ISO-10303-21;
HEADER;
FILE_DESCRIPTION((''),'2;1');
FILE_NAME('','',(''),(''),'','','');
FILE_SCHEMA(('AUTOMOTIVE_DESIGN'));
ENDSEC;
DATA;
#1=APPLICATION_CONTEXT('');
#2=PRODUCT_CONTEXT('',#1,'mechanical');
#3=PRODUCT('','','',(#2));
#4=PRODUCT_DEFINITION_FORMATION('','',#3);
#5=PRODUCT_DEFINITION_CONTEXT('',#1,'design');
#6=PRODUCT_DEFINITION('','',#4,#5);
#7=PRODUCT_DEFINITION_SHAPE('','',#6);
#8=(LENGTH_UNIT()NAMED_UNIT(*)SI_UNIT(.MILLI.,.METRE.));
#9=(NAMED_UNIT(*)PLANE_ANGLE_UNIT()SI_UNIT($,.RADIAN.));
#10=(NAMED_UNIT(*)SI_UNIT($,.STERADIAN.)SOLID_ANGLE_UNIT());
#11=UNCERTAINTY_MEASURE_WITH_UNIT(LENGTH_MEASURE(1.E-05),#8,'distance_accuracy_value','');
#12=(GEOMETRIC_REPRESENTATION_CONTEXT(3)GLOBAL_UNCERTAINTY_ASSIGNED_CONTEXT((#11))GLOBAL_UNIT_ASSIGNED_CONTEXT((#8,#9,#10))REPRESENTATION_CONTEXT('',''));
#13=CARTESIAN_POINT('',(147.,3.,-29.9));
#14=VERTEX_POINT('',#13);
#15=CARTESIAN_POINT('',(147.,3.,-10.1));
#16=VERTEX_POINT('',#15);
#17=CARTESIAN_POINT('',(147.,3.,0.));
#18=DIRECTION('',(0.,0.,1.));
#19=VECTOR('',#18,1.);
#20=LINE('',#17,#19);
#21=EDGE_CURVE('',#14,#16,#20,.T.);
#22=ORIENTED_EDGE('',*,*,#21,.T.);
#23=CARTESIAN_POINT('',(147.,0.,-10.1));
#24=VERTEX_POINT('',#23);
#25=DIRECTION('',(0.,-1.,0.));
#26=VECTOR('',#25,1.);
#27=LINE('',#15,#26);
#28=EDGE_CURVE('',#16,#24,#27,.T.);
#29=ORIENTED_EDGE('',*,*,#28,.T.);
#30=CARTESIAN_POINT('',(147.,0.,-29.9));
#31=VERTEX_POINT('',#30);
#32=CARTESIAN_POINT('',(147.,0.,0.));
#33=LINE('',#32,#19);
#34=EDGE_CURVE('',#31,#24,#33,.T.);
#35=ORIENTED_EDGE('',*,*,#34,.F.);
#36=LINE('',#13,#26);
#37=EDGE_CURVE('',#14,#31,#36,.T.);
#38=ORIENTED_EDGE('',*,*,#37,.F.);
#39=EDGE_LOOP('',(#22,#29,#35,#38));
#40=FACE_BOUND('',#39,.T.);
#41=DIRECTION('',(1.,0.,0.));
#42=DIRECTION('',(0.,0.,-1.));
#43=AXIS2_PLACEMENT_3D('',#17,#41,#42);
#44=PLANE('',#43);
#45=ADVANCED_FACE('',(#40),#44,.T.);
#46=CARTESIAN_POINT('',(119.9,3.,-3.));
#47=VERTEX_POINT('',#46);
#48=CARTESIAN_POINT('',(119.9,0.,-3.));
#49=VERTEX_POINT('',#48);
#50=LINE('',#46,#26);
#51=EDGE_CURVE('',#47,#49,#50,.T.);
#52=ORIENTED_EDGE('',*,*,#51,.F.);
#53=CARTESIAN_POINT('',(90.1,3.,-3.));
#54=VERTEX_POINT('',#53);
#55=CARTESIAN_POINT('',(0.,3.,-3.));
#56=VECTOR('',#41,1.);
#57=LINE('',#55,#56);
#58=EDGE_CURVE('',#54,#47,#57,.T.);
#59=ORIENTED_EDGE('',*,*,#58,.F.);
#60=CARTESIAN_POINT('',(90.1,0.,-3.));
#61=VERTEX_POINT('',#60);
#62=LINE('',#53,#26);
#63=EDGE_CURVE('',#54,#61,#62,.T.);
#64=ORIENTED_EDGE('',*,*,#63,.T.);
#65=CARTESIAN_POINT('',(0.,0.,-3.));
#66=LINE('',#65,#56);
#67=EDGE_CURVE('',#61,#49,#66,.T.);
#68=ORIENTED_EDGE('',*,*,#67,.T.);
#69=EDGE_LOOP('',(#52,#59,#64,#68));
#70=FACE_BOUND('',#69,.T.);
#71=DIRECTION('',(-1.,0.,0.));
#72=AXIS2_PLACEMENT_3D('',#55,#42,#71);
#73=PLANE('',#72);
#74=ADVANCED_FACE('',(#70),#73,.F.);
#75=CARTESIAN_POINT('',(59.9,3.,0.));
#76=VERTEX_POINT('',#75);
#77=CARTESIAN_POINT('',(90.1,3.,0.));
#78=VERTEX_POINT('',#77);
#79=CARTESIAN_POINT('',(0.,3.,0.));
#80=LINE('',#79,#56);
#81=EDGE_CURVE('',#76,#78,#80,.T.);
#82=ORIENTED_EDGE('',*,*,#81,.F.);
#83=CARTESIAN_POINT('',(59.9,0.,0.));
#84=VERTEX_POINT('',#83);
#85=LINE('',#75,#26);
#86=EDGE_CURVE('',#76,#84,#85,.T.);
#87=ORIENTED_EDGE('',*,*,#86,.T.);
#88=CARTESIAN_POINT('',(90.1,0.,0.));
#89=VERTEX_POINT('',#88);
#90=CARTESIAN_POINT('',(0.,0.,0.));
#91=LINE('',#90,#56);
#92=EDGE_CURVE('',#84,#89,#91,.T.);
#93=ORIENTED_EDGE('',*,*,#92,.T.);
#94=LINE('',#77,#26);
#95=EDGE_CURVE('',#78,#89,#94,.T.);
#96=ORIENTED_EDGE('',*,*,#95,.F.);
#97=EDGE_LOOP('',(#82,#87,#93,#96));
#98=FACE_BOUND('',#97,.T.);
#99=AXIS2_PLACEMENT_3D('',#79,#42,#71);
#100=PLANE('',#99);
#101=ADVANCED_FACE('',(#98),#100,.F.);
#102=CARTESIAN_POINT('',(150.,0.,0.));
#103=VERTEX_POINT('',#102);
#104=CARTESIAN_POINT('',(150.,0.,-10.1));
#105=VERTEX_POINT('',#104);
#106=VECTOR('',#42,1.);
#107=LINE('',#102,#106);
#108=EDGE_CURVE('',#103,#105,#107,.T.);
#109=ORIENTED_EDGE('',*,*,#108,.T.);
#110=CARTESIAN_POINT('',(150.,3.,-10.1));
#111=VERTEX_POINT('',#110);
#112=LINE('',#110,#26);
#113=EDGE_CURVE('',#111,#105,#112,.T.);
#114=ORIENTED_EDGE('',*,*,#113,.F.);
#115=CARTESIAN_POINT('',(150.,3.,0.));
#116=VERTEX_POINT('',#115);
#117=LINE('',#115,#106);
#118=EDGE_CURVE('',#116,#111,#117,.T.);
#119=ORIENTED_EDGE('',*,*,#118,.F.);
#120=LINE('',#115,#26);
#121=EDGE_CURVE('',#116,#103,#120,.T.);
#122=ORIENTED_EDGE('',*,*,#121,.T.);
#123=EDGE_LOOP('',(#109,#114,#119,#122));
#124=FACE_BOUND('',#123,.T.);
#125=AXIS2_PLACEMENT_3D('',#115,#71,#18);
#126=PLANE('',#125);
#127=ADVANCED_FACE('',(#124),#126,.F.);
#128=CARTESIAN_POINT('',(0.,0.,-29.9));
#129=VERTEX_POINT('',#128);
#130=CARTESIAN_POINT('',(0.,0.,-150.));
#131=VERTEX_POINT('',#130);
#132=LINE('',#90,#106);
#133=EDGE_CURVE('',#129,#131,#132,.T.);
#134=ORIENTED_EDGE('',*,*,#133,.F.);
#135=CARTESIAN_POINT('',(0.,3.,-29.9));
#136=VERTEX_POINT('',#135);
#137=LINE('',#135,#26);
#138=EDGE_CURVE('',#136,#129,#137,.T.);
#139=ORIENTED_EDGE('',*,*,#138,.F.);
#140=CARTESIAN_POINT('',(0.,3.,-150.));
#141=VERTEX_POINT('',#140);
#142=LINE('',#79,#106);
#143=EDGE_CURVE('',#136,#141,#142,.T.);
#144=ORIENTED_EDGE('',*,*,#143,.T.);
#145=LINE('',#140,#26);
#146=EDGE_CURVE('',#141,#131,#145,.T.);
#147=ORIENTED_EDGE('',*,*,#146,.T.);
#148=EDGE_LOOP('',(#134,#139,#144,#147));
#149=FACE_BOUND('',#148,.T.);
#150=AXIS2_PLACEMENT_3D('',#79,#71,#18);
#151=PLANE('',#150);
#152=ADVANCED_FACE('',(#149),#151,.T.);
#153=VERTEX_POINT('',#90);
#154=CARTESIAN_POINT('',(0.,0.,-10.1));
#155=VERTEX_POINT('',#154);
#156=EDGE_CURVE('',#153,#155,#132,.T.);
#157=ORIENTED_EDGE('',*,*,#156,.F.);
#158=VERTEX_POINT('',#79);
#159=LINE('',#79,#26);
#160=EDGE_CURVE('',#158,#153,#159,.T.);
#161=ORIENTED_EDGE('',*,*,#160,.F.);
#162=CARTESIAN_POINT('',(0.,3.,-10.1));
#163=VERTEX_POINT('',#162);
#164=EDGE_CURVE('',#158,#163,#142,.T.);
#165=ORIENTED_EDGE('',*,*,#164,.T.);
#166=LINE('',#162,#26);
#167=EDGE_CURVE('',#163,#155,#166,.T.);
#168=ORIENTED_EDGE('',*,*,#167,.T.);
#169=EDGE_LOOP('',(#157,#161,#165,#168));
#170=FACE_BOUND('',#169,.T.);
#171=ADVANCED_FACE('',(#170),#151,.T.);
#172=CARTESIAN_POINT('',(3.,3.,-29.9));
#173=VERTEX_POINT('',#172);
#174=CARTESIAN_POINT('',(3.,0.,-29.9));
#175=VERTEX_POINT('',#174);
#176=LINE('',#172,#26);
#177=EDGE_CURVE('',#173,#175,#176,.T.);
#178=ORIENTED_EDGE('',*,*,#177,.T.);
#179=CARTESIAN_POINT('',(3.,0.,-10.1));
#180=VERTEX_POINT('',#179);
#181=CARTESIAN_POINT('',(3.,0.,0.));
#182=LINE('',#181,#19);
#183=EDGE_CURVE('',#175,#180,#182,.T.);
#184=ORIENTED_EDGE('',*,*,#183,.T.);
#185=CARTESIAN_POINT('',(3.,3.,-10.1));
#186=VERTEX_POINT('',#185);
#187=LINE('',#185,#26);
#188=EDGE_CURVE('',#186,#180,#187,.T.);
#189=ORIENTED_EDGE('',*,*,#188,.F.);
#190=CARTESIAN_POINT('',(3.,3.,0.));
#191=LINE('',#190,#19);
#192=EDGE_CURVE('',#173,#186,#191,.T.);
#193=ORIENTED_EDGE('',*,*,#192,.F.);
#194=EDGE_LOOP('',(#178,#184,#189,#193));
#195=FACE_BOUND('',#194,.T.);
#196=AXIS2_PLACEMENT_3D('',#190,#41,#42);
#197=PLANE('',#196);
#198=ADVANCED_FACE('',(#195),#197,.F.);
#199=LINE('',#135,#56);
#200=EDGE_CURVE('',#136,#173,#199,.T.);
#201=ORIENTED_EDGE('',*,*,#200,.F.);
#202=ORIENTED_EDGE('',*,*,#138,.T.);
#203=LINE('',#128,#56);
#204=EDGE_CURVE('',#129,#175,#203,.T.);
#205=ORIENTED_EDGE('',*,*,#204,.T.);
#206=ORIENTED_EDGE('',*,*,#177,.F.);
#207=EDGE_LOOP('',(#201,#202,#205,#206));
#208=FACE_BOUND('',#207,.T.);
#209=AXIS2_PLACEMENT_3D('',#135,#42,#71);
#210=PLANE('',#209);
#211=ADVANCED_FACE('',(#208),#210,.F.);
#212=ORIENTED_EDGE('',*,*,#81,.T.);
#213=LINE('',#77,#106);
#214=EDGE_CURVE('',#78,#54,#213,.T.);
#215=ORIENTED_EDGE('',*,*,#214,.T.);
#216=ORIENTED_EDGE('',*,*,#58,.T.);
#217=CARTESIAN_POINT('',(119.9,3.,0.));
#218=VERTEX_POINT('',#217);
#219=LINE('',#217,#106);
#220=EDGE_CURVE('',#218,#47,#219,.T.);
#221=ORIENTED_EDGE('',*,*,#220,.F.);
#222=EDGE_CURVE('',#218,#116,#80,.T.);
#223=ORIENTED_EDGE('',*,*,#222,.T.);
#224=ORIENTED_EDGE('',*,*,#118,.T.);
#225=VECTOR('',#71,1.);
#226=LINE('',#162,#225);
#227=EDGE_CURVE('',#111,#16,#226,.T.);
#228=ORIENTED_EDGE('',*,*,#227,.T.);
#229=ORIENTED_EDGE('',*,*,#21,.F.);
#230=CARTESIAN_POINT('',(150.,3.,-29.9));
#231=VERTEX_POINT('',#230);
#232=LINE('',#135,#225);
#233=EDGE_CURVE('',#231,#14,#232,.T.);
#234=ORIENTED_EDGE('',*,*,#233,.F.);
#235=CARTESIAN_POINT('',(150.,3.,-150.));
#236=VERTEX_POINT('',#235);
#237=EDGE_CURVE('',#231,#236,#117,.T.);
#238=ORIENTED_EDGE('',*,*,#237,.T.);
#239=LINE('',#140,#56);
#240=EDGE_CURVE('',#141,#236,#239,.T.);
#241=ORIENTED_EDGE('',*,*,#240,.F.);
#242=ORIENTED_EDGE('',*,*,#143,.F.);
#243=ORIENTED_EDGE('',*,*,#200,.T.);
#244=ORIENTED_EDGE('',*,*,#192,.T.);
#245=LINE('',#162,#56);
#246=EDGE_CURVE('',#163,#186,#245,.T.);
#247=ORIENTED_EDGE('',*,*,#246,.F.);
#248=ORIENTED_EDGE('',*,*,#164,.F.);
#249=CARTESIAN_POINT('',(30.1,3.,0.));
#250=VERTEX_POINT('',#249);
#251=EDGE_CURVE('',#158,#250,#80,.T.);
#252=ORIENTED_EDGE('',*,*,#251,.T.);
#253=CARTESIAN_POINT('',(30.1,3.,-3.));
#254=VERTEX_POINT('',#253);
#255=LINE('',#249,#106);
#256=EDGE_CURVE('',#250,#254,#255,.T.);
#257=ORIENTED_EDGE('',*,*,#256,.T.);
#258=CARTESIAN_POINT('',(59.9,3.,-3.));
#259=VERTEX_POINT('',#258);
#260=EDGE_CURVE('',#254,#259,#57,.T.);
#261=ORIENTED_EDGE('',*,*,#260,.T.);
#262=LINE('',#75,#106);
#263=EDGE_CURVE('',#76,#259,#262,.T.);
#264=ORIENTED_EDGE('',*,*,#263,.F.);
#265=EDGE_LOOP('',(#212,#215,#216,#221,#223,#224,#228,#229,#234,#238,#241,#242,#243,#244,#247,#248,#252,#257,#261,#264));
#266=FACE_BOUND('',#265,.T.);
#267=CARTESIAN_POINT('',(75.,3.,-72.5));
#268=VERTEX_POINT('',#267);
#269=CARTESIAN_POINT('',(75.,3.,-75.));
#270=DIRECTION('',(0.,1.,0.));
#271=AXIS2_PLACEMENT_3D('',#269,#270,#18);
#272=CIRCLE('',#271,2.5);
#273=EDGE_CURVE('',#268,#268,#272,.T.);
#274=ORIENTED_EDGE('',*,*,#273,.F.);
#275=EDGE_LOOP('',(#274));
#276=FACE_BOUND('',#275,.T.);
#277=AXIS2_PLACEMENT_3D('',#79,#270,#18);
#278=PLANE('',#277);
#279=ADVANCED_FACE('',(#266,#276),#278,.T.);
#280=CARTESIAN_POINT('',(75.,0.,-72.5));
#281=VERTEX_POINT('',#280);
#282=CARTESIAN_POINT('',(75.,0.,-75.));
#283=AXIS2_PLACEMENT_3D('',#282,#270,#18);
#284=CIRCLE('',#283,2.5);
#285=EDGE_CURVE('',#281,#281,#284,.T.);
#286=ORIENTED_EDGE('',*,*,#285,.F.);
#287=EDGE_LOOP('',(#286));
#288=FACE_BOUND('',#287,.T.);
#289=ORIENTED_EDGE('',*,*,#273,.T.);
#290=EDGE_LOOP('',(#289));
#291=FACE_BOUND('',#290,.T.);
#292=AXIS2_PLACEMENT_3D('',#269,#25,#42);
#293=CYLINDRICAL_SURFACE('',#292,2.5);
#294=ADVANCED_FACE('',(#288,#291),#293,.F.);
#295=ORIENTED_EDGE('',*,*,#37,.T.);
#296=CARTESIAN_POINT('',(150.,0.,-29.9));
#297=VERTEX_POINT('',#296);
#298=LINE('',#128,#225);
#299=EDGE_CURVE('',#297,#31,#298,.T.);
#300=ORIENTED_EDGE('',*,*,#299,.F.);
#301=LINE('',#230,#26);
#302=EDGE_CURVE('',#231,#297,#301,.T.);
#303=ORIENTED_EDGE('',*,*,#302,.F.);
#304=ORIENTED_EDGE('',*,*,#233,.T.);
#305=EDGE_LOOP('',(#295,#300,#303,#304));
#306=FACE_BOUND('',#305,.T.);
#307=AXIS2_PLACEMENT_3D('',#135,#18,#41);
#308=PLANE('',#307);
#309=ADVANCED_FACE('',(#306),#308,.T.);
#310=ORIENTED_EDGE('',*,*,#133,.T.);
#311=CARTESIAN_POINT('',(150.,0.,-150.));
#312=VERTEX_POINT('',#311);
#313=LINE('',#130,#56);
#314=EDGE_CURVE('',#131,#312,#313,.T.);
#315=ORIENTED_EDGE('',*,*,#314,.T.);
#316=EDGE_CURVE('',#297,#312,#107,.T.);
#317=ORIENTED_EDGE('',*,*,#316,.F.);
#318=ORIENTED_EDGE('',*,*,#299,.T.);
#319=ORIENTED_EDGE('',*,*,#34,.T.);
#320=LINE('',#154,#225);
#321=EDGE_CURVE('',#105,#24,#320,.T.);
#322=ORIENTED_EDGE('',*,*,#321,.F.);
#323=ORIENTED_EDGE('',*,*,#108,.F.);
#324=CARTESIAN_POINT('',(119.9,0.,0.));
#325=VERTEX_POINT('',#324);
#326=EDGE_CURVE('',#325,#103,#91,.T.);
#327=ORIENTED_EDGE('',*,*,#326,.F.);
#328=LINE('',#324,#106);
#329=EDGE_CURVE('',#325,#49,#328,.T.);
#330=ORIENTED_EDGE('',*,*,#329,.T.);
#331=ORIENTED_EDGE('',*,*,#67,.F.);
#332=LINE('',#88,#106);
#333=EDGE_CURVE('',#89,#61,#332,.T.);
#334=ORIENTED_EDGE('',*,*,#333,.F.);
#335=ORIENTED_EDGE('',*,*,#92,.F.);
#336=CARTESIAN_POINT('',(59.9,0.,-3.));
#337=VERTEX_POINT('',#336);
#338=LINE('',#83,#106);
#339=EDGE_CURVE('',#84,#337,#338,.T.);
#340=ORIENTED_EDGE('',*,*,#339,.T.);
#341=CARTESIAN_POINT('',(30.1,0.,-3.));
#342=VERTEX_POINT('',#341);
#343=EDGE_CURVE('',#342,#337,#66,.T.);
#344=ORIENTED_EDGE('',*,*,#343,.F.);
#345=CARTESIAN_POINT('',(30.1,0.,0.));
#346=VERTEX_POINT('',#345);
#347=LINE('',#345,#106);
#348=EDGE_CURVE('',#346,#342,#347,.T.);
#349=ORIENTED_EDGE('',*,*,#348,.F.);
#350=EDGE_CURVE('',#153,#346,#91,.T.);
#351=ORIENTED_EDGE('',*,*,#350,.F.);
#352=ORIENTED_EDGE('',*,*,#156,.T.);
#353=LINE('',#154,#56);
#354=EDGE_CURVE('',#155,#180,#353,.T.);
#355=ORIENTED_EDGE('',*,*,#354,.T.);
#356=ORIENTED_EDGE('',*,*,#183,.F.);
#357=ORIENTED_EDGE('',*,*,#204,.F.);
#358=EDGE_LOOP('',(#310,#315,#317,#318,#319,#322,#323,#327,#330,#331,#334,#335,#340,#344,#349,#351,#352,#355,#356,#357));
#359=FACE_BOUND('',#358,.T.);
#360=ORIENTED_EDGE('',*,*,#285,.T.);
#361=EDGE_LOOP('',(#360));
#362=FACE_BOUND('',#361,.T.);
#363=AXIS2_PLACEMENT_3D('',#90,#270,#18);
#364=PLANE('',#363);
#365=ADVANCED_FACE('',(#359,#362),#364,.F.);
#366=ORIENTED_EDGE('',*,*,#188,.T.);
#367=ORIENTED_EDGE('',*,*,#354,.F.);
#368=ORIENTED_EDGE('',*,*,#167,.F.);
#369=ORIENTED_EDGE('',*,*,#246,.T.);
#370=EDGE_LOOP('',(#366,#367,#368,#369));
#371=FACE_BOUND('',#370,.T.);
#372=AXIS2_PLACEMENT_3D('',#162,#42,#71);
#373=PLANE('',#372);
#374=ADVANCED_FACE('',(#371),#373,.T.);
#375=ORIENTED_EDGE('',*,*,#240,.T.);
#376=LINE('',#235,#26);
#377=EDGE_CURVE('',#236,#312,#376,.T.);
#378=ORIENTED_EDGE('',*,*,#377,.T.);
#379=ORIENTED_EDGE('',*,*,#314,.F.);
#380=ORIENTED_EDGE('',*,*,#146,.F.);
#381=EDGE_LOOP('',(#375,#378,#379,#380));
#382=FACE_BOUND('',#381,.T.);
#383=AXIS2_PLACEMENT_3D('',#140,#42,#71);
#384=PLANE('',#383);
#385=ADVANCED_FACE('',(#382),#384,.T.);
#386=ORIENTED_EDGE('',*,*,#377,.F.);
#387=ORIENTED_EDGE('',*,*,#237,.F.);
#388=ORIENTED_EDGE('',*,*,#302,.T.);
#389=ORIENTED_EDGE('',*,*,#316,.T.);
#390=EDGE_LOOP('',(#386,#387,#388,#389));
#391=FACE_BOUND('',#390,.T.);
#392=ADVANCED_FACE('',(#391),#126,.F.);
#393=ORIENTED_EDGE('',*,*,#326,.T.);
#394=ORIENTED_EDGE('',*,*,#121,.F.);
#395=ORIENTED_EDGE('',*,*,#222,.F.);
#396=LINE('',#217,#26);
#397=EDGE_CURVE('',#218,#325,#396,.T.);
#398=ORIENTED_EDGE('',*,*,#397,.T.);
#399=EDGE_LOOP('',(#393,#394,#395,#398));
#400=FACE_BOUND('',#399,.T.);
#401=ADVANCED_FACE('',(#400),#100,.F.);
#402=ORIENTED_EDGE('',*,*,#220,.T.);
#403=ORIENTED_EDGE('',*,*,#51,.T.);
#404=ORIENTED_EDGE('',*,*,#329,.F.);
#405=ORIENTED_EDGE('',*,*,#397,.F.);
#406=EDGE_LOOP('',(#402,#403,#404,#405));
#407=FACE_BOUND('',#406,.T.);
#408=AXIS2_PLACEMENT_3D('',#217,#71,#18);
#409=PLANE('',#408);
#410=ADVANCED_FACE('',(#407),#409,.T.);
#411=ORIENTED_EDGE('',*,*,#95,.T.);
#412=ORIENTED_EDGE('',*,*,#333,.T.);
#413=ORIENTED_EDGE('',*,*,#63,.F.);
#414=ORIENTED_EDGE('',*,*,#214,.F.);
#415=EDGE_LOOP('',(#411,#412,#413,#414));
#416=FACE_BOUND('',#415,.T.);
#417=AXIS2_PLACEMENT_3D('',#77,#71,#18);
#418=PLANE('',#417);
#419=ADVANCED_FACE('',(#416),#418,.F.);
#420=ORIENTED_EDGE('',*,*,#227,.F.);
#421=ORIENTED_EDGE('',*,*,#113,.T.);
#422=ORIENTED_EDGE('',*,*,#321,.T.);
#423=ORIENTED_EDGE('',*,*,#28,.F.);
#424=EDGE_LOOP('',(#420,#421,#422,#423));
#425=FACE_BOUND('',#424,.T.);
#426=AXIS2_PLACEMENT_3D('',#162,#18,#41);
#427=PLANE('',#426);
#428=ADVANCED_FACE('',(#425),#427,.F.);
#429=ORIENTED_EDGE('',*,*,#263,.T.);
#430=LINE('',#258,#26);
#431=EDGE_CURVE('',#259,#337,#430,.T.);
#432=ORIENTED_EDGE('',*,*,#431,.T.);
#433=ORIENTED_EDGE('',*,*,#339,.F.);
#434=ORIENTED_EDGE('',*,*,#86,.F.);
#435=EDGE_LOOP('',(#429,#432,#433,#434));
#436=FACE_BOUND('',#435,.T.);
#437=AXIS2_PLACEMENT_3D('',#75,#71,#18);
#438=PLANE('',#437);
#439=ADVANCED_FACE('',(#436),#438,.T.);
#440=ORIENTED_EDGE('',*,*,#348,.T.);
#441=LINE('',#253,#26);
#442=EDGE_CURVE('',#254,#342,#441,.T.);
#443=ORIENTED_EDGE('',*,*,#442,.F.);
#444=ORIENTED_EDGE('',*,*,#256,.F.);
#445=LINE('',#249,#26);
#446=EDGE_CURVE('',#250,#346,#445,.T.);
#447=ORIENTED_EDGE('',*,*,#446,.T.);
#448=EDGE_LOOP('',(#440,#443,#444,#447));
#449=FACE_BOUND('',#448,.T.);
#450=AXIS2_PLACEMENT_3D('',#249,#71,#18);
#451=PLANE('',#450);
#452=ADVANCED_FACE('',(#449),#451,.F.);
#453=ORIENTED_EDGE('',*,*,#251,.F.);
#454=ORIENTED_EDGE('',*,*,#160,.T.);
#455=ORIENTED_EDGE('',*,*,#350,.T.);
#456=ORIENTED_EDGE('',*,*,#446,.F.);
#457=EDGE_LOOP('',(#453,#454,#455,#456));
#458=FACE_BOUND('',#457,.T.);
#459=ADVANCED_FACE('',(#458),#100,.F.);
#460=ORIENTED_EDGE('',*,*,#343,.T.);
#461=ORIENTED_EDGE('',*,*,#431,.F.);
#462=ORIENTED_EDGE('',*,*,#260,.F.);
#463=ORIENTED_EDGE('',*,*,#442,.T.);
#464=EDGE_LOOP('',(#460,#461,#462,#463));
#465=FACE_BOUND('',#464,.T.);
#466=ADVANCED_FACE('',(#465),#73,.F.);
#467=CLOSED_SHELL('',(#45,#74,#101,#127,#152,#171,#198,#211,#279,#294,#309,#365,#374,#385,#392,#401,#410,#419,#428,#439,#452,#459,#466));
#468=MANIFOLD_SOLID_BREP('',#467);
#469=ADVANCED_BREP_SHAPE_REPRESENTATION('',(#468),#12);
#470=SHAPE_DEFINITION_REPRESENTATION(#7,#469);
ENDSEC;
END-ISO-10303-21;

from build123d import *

# Parameters (mm, degrees)
SKETCH1_R           = 2.5
BOSS_EXTRUDE1_DEPTH = 3


with BuildPart() as part:
    # Sketch1 → Boss-Extrude1 (new body)
    with BuildSketch(Plane(origin=(0, 0, 0), x_dir=(1, 0, 0), z_dir=(0, 1, 0))):
        Polygon((59.9, 0), (90.1, 0), (90.1, 3), (119.9, 3), (119.9, 0), (150, 0), (150, 10.1), (147, 10.1), (147, 29.9), (150, 29.9), (150, 150), (0, 150), (0, 29.9), (3, 29.9), (3, 10.1), (0, 10.1), (0, 0), (30.1, 0), (30.1, 3), (59.9, 3), align=None)
        with Locations((75, 75)):
            Circle(SKETCH1_R, mode=Mode.SUBTRACT)
    extrude(amount=BOSS_EXTRUDE1_DEPTH)


solid = part.part
